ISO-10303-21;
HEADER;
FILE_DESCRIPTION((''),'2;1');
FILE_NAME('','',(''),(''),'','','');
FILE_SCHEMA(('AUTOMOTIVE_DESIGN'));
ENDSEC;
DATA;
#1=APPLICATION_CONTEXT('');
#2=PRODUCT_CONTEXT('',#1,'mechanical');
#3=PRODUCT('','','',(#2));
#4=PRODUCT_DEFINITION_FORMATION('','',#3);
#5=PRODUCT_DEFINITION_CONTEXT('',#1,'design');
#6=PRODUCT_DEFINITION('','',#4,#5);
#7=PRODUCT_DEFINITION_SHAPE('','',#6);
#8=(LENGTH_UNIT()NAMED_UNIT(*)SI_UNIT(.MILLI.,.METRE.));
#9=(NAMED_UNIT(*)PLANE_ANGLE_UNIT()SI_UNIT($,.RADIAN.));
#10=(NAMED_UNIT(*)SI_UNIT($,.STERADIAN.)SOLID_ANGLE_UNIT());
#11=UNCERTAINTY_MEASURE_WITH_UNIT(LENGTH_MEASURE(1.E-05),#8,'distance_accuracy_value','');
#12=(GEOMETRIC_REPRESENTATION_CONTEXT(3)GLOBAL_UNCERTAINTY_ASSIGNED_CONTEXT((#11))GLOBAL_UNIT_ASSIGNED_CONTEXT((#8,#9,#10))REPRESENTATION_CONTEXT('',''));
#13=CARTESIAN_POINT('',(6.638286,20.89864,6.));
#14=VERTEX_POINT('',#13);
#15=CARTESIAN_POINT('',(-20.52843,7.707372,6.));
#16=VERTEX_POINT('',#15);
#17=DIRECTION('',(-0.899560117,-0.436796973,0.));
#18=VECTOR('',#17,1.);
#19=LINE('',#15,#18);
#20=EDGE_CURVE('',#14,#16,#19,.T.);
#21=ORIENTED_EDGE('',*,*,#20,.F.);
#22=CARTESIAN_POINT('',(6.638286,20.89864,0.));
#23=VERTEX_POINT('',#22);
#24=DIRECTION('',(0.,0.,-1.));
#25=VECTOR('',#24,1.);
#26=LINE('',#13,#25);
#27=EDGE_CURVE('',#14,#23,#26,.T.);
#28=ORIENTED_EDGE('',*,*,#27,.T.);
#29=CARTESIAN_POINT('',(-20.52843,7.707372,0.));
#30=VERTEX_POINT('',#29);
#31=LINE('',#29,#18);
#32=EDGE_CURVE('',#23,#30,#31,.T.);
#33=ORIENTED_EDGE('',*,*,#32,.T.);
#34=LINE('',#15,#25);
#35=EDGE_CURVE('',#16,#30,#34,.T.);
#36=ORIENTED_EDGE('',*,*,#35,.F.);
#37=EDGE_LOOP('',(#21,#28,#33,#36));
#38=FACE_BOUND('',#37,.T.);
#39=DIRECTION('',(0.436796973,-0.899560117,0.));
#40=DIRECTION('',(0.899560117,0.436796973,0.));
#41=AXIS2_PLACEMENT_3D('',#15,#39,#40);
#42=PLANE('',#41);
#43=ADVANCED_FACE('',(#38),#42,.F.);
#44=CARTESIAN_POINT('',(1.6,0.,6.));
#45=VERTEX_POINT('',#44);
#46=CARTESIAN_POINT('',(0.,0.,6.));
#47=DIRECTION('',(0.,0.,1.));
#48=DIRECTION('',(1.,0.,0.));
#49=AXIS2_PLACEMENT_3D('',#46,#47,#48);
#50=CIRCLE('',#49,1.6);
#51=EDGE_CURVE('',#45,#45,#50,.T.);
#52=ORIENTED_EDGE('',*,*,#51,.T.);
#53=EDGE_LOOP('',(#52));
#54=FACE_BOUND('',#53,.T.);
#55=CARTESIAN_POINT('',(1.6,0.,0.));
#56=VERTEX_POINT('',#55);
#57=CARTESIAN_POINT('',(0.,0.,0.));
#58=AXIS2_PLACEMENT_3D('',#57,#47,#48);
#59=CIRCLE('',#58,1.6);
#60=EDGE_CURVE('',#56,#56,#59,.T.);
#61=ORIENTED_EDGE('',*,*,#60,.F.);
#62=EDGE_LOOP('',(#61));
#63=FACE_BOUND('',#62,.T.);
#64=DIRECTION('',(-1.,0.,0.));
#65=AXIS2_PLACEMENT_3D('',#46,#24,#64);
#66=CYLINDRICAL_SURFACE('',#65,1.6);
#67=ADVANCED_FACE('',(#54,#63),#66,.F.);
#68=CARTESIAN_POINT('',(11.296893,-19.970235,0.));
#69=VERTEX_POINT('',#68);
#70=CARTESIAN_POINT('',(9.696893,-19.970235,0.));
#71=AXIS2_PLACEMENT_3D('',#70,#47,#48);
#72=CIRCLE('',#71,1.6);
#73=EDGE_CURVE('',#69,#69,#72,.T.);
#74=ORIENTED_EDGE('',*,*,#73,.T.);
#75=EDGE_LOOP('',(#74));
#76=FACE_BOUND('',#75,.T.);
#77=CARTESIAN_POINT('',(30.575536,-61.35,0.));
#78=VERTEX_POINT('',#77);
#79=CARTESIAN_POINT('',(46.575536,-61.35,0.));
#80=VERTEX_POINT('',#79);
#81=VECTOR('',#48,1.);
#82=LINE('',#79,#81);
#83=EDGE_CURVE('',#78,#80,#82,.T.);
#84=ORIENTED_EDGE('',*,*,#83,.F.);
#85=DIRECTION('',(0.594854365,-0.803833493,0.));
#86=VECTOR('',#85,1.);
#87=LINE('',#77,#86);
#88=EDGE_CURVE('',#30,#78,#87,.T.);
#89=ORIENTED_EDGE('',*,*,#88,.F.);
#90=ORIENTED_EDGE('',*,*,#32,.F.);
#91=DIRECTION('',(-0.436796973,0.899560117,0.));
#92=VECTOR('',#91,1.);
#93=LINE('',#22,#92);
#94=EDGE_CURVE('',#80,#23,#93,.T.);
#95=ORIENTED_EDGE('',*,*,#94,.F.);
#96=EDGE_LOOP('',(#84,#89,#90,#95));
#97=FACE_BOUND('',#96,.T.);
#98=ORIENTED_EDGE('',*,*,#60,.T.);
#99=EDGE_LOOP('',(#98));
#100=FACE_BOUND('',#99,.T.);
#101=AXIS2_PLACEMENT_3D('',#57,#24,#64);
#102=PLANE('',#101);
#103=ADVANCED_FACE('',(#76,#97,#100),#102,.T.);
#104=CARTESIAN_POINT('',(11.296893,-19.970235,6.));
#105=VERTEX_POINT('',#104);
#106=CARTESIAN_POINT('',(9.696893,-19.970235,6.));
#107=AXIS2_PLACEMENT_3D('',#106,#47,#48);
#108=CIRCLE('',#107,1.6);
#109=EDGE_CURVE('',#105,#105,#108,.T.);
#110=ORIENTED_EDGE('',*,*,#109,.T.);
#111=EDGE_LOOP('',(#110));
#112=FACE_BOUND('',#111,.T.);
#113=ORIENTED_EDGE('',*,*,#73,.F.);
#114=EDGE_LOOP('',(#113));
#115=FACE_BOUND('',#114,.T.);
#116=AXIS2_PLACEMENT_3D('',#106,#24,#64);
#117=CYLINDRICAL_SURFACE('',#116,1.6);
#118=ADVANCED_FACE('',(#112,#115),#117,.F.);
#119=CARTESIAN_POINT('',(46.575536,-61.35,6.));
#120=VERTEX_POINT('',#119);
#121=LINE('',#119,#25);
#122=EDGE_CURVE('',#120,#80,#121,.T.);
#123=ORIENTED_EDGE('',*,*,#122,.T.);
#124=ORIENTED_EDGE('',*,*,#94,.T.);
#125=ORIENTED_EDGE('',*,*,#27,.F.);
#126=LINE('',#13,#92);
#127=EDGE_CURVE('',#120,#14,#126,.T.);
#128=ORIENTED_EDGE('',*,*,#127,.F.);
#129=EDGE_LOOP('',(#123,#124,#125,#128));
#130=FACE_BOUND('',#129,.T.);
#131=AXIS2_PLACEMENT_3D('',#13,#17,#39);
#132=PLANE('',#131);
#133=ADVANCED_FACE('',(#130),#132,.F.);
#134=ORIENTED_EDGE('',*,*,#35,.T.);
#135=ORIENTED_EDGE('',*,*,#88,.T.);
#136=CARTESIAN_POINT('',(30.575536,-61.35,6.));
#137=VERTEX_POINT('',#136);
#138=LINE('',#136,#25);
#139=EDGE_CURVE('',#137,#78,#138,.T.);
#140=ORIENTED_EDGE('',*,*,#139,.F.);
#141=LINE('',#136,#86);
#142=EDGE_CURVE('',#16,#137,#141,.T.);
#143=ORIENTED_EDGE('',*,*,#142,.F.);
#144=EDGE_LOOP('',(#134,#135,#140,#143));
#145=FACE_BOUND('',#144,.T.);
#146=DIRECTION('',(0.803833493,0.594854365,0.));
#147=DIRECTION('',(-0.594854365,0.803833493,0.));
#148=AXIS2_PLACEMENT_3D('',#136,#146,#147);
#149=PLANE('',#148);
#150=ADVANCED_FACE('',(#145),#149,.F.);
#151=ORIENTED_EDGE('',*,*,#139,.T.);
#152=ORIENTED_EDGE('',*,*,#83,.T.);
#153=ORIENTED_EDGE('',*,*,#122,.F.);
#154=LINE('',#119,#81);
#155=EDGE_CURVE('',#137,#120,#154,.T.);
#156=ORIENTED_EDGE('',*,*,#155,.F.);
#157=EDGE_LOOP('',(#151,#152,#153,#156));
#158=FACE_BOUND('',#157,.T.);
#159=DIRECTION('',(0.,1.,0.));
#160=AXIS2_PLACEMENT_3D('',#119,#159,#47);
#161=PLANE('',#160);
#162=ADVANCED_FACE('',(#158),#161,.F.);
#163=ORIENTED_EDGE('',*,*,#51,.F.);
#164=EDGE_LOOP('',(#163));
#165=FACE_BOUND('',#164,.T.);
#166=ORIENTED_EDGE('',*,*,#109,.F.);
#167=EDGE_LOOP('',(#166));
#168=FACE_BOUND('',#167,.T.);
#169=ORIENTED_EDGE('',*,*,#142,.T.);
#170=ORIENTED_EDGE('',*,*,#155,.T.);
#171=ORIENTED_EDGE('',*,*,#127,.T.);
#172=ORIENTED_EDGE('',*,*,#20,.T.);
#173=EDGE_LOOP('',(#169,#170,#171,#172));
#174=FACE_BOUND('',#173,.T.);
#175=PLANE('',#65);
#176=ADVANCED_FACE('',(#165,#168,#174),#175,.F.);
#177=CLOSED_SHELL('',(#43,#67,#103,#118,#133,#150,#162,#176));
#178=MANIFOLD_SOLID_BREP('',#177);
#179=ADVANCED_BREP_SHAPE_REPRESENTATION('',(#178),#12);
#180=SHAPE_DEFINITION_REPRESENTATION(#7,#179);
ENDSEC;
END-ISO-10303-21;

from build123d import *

# Parameters (mm, degrees)
SKETCH1_R           = 1.6
BOSS_EXTRUDE1_DEPTH = 6


with BuildPart() as part:
    # Sketch1 → Boss-Extrude1 (new body)
    with BuildSketch(Plane.XY):
        Polygon((-20.528429637, 7.707371577), (6.638285905, 20.898640153), (46.575535608, -61.35), (30.575535608, -61.35), align=None)
        Circle(SKETCH1_R, mode=Mode.SUBTRACT)
        with Locations((9.696892794, -19.970234604)):
            Circle(SKETCH1_R, mode=Mode.SUBTRACT)
    extrude(amount=BOSS_EXTRUDE1_DEPTH)


solid = part.part
